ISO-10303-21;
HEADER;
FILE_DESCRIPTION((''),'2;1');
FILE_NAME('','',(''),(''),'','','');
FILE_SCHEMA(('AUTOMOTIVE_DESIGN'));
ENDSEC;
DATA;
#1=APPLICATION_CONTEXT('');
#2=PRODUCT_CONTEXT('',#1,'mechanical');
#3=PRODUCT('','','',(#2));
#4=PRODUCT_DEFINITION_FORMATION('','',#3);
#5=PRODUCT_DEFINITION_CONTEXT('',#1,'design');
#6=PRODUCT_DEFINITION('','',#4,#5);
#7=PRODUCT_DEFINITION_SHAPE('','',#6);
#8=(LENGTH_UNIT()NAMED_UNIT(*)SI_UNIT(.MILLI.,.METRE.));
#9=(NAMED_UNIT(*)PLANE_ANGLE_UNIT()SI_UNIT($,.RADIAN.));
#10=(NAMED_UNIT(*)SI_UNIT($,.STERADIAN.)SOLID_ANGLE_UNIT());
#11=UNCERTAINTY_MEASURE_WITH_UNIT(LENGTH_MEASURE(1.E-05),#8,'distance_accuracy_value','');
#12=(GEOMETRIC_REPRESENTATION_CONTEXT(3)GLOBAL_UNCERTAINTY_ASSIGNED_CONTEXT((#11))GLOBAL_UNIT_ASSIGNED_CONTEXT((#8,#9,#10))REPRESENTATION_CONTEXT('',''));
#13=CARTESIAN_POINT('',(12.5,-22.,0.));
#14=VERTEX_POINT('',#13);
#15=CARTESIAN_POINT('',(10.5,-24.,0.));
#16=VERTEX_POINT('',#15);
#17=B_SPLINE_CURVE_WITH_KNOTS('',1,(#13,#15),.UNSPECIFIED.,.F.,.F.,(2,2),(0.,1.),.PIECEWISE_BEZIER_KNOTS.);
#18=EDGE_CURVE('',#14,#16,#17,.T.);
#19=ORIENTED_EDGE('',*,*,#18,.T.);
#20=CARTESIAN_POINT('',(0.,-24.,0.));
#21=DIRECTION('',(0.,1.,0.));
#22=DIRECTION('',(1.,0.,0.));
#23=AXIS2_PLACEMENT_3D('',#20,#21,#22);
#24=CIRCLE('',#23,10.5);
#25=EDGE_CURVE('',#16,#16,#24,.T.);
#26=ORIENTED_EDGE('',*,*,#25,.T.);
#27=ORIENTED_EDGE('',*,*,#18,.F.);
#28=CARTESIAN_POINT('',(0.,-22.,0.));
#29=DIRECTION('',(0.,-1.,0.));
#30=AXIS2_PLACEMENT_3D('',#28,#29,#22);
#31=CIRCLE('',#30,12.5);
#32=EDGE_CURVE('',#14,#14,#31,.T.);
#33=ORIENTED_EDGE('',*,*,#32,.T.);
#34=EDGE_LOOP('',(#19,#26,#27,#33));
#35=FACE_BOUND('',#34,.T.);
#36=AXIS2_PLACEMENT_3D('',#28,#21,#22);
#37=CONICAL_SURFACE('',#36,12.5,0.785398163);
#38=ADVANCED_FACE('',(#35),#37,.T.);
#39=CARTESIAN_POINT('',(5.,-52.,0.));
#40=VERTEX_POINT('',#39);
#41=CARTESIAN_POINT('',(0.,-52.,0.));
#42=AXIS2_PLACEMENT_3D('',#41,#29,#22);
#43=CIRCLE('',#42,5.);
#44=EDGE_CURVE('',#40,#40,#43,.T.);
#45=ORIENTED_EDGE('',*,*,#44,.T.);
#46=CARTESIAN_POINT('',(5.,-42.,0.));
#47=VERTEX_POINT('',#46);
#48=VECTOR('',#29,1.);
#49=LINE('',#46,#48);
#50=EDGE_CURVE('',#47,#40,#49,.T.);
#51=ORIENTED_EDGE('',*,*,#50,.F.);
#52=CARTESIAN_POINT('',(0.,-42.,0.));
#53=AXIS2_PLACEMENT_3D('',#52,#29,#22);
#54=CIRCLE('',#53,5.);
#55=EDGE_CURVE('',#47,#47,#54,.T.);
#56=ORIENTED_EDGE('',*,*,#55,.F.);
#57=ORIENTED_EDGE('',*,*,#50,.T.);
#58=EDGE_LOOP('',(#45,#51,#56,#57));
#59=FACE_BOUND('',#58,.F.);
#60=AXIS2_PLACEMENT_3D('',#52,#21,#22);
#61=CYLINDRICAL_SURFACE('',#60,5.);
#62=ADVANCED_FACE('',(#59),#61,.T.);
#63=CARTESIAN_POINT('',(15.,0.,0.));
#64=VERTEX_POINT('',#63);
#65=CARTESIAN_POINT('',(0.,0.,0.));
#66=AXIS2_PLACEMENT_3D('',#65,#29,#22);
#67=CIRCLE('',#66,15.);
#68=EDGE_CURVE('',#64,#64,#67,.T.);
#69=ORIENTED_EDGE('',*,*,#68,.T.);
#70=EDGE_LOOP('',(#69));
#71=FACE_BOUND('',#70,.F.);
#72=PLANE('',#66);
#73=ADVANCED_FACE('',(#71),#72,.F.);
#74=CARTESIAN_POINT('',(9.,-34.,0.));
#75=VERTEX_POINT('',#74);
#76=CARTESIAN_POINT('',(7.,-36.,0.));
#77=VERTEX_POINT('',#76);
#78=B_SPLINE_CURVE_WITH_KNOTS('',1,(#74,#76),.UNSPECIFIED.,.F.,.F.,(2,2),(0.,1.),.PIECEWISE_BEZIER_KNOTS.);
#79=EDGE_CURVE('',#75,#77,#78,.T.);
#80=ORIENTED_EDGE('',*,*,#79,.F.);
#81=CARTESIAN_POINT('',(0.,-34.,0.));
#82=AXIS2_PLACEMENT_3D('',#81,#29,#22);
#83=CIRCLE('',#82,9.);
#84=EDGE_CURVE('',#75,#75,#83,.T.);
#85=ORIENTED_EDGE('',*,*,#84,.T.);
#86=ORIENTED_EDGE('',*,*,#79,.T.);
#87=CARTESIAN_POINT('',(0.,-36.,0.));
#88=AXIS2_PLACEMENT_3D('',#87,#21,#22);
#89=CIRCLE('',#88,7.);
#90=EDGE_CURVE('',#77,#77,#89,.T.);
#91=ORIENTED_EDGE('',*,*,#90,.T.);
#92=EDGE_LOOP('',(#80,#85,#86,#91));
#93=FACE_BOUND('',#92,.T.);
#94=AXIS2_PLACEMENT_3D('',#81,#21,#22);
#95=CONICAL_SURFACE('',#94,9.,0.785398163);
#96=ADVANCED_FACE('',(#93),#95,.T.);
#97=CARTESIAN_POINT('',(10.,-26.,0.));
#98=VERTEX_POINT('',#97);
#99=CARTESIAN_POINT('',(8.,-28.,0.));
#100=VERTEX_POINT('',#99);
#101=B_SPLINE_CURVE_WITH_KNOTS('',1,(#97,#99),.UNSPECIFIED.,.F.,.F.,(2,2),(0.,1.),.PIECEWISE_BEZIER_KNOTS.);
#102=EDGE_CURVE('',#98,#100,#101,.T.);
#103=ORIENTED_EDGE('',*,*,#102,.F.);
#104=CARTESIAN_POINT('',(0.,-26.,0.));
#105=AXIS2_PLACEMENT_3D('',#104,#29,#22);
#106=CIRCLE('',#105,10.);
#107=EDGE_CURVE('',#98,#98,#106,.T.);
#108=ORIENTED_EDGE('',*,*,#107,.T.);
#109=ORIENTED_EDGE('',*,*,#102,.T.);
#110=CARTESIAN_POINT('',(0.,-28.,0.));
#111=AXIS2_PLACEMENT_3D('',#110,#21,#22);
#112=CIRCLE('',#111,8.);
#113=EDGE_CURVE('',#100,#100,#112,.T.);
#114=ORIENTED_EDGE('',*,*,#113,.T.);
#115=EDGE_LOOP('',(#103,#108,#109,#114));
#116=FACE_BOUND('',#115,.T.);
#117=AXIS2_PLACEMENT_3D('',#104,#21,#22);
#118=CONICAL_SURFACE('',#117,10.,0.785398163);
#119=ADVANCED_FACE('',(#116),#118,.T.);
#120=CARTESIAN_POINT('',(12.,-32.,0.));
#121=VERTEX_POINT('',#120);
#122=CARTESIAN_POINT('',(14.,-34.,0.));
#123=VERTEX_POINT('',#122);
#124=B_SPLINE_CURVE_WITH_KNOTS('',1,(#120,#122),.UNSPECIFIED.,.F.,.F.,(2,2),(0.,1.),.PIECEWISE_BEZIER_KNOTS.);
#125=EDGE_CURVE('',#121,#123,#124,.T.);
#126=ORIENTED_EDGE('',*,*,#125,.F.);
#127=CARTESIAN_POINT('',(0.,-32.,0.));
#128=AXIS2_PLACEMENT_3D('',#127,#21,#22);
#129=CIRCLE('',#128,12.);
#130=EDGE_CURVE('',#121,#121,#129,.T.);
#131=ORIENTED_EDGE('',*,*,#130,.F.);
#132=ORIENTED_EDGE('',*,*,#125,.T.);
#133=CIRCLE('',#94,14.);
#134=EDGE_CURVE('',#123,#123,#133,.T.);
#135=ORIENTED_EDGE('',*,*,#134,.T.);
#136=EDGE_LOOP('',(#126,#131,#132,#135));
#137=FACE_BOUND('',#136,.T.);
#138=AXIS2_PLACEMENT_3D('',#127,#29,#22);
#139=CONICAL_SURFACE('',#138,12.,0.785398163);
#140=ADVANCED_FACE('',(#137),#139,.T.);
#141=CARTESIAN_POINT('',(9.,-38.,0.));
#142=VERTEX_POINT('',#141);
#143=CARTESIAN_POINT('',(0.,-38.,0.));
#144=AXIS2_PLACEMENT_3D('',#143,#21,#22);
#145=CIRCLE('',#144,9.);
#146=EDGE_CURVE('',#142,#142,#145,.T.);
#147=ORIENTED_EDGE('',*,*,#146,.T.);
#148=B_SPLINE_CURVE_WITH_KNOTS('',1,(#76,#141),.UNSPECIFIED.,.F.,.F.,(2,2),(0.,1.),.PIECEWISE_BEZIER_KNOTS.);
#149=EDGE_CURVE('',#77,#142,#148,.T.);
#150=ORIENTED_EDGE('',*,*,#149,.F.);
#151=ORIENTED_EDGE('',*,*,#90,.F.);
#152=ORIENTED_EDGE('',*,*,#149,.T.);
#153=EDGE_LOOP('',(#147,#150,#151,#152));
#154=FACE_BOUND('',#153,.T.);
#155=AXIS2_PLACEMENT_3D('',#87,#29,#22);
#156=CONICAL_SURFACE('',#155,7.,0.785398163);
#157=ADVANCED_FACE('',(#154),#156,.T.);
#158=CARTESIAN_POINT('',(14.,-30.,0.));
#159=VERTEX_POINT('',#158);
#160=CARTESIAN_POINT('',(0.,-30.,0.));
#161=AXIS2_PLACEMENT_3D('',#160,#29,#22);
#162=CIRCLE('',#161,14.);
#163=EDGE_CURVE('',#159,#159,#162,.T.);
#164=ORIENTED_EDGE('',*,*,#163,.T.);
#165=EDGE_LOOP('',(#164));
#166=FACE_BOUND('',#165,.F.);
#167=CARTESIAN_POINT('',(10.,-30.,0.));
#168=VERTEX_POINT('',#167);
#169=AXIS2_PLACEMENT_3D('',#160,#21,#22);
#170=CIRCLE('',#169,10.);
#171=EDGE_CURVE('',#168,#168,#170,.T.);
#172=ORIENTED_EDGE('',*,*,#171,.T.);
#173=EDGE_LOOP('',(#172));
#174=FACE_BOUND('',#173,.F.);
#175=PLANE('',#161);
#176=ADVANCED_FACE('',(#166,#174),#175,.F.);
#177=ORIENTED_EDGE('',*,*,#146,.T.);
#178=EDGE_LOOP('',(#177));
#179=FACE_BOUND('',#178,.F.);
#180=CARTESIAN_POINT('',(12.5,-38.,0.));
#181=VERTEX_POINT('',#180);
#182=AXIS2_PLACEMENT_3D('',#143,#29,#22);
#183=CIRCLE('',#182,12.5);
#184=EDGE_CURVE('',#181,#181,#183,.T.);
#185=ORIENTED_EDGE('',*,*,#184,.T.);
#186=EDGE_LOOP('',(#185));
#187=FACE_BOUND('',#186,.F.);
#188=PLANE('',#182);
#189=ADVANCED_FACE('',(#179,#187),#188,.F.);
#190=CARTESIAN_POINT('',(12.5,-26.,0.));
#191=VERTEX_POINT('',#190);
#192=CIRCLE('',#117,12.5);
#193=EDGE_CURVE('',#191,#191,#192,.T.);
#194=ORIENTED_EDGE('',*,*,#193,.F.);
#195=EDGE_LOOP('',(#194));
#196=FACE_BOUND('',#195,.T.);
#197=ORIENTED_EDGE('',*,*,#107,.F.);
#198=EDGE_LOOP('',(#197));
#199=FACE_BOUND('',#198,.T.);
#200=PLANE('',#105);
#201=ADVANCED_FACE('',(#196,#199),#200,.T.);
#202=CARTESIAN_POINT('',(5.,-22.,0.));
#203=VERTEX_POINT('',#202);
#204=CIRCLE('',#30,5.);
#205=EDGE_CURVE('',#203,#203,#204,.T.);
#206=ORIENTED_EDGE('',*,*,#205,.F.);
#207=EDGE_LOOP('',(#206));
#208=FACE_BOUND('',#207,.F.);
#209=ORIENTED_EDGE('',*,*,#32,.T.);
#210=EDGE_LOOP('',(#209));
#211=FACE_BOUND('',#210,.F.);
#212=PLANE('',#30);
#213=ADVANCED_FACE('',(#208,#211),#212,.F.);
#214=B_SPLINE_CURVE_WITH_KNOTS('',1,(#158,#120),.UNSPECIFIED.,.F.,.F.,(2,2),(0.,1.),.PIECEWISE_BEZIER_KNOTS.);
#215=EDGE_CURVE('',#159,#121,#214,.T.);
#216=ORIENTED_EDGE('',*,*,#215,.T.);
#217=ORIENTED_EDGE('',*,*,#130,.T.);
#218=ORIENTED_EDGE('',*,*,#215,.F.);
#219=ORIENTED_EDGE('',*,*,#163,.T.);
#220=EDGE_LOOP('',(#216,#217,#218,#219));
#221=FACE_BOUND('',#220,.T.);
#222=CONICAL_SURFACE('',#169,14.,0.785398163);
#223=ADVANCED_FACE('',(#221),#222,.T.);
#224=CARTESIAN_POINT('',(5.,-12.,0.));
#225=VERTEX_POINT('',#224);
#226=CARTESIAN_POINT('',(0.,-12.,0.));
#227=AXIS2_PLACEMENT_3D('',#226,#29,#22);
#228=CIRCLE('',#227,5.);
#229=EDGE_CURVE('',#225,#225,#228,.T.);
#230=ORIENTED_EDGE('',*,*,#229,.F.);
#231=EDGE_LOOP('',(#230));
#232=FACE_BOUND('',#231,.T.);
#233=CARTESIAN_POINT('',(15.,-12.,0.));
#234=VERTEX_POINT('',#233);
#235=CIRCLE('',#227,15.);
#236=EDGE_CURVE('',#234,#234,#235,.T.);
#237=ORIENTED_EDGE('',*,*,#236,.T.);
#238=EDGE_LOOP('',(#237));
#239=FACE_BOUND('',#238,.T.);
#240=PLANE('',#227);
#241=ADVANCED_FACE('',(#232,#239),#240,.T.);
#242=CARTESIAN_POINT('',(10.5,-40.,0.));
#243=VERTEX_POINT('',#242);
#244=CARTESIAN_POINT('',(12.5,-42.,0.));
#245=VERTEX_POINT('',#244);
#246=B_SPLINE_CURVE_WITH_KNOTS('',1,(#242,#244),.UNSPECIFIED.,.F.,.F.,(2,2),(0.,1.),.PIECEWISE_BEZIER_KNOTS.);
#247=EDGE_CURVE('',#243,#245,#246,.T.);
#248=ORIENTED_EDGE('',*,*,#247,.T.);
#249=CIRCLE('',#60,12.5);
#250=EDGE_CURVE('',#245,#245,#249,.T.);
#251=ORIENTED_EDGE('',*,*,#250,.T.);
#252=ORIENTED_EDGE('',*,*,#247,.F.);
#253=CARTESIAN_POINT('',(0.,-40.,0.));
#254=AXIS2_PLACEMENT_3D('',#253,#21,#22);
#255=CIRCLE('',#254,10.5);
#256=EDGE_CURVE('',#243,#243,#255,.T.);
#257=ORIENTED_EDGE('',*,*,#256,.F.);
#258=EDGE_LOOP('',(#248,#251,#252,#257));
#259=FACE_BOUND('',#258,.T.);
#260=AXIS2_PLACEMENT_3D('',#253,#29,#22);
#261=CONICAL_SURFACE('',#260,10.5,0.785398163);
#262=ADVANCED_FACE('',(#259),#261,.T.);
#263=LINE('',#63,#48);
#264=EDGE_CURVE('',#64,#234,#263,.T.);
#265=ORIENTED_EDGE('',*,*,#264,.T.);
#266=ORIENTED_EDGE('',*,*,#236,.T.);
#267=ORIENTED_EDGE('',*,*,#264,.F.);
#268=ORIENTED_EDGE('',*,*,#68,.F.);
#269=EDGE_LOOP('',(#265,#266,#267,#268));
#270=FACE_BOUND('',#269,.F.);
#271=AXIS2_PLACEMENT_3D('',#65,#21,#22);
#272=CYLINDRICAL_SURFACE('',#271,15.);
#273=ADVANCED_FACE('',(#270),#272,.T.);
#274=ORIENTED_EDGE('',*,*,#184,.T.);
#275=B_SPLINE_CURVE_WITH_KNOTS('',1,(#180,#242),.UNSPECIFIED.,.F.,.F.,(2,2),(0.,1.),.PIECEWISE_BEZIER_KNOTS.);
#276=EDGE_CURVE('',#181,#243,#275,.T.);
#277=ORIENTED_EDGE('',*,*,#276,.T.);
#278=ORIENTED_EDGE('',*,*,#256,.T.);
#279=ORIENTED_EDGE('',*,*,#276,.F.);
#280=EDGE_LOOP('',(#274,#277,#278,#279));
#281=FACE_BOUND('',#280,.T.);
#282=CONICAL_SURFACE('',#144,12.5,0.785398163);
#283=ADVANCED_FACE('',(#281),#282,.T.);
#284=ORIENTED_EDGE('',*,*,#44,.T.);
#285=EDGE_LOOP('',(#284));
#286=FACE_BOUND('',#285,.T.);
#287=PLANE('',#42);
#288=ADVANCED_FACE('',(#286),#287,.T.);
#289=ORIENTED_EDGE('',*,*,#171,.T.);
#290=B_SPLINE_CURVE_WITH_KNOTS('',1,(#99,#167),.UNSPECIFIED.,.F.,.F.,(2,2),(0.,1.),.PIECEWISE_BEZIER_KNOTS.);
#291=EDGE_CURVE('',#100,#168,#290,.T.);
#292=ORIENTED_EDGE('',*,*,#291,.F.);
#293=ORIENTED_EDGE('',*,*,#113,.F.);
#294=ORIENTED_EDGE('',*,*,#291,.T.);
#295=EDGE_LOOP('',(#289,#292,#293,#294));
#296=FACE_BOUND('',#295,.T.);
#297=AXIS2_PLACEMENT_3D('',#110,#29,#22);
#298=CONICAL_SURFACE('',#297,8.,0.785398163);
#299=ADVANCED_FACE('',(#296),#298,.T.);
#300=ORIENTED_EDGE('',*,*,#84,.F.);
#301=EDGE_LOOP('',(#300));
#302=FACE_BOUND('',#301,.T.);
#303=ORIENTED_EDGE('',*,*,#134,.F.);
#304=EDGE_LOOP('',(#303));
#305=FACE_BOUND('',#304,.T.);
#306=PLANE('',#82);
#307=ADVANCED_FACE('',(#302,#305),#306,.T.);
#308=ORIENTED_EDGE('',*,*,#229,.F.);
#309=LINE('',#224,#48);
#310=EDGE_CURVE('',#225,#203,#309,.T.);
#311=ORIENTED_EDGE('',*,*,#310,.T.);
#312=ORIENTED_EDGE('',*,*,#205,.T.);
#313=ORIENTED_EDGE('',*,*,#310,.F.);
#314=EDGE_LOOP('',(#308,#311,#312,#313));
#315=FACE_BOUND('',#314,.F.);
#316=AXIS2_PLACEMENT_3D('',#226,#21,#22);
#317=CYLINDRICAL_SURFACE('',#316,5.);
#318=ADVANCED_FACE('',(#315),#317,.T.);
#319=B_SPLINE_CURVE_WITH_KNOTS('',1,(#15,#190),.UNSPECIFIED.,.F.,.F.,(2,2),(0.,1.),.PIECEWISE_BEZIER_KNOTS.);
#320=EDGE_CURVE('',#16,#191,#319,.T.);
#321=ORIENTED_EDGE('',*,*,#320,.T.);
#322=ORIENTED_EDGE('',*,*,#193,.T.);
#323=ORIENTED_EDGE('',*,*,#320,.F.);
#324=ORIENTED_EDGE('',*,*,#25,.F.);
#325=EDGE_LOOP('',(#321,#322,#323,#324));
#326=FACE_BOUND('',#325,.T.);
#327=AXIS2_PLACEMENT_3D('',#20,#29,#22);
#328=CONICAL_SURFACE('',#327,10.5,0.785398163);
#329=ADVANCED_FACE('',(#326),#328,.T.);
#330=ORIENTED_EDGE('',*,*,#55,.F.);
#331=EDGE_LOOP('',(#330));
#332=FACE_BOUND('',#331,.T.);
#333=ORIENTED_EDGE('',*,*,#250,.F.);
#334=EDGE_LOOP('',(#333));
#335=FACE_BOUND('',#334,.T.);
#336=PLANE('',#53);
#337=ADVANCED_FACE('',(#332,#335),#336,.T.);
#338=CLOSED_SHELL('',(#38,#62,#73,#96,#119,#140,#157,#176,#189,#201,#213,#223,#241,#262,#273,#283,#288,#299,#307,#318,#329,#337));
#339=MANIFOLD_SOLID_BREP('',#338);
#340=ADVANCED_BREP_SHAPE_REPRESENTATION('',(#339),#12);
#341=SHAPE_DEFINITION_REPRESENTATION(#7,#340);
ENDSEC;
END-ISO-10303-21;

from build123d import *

# Parameters (mm, degrees)
F0_R      = 15
F1_DEPTH  = 12
F2_R      = 5
F3_DEPTH  = 10
F4_R      = 12.5
F5_DEPTH  = 2
F5_TAPER  = 45
F6_R      = 10.5
F7_DEPTH  = 2
F7_TAPER  = -45
F8_R      = 10
F9_DEPTH  = 2
F9_TAPER  = 45
F10_R     = 8
F11_DEPTH = 2
F11_TAPER = -45
F12_R     = 14
F13_DEPTH = 2
F13_TAPER = 45
F14_R     = 12
F15_DEPTH = 2
F15_TAPER = -45
F16_R     = 9
F17_DEPTH = 2
F17_TAPER = 45
F18_R     = 7
F19_DEPTH = 2
F19_TAPER = -45
F20_R     = 12.5
F21_DEPTH = 2
F21_TAPER = 45
F22_R     = 10.5
F23_DEPTH = 2
F23_TAPER = -45
F24_R     = 5
F25_DEPTH = 10


with BuildPart() as f1:
    # F0 (on Front) → F1 (new body)
    with BuildSketch(Plane.XZ):
        Circle(F0_R)
    extrude(amount=F1_DEPTH)

    # F2 (on face) → F3 (join)
    with BuildSketch(Plane.XZ.offset(12)):
        Circle(F2_R)
    extrude(amount=F3_DEPTH)

    # F4 (on face) → F5 (join)
    with BuildSketch(Plane.XZ.offset(22)):
        Circle(F4_R)
    extrude(amount=F5_DEPTH, taper=F5_TAPER)

    # F6 (on face) → F7 (join)
    with BuildSketch(Plane.XZ.offset(24)):
        Circle(F6_R)
    extrude(amount=F7_DEPTH, taper=F7_TAPER)

    # F8 (on face) → F9 (join)
    with BuildSketch(Plane.XZ.offset(26)):
        Circle(F8_R)
    extrude(amount=F9_DEPTH, taper=F9_TAPER)

    # F10 (on face) → F11 (join)
    with BuildSketch(Plane.XZ.offset(28)):
        Circle(F10_R)
    extrude(amount=F11_DEPTH, taper=F11_TAPER)

    # F12 (on face) → F13 (join)
    with BuildSketch(Plane.XZ.offset(30)):
        Circle(F12_R)
    extrude(amount=F13_DEPTH, taper=F13_TAPER)

    # F14 (on face) → F15 (join)
    with BuildSketch(Plane.XZ.offset(32)):
        Circle(F14_R)
    extrude(amount=F15_DEPTH, taper=F15_TAPER)

    # F16 (on face) → F17 (join)
    with BuildSketch(Plane.XZ.offset(34)):
        Circle(F16_R)
    extrude(amount=F17_DEPTH, taper=F17_TAPER)

    # F18 (on face) → F19 (join)
    with BuildSketch(Plane.XZ.offset(36)):
        Circle(F18_R)
    extrude(amount=F19_DEPTH, taper=F19_TAPER)

    # F20 (on face) → F21 (join)
    with BuildSketch(Plane.XZ.offset(38)):
        Circle(F20_R)
    extrude(amount=F21_DEPTH, taper=F21_TAPER)

    # F22 (on face) → F23 (join)
    with BuildSketch(Plane.XZ.offset(40)):
        Circle(F22_R)
    extrude(amount=F23_DEPTH, taper=F23_TAPER)

    # F24 (on face) → F25 (join)
    with BuildSketch(Plane.XZ.offset(42)):
        Circle(F24_R)
    extrude(amount=F25_DEPTH)


solid = f1.part
